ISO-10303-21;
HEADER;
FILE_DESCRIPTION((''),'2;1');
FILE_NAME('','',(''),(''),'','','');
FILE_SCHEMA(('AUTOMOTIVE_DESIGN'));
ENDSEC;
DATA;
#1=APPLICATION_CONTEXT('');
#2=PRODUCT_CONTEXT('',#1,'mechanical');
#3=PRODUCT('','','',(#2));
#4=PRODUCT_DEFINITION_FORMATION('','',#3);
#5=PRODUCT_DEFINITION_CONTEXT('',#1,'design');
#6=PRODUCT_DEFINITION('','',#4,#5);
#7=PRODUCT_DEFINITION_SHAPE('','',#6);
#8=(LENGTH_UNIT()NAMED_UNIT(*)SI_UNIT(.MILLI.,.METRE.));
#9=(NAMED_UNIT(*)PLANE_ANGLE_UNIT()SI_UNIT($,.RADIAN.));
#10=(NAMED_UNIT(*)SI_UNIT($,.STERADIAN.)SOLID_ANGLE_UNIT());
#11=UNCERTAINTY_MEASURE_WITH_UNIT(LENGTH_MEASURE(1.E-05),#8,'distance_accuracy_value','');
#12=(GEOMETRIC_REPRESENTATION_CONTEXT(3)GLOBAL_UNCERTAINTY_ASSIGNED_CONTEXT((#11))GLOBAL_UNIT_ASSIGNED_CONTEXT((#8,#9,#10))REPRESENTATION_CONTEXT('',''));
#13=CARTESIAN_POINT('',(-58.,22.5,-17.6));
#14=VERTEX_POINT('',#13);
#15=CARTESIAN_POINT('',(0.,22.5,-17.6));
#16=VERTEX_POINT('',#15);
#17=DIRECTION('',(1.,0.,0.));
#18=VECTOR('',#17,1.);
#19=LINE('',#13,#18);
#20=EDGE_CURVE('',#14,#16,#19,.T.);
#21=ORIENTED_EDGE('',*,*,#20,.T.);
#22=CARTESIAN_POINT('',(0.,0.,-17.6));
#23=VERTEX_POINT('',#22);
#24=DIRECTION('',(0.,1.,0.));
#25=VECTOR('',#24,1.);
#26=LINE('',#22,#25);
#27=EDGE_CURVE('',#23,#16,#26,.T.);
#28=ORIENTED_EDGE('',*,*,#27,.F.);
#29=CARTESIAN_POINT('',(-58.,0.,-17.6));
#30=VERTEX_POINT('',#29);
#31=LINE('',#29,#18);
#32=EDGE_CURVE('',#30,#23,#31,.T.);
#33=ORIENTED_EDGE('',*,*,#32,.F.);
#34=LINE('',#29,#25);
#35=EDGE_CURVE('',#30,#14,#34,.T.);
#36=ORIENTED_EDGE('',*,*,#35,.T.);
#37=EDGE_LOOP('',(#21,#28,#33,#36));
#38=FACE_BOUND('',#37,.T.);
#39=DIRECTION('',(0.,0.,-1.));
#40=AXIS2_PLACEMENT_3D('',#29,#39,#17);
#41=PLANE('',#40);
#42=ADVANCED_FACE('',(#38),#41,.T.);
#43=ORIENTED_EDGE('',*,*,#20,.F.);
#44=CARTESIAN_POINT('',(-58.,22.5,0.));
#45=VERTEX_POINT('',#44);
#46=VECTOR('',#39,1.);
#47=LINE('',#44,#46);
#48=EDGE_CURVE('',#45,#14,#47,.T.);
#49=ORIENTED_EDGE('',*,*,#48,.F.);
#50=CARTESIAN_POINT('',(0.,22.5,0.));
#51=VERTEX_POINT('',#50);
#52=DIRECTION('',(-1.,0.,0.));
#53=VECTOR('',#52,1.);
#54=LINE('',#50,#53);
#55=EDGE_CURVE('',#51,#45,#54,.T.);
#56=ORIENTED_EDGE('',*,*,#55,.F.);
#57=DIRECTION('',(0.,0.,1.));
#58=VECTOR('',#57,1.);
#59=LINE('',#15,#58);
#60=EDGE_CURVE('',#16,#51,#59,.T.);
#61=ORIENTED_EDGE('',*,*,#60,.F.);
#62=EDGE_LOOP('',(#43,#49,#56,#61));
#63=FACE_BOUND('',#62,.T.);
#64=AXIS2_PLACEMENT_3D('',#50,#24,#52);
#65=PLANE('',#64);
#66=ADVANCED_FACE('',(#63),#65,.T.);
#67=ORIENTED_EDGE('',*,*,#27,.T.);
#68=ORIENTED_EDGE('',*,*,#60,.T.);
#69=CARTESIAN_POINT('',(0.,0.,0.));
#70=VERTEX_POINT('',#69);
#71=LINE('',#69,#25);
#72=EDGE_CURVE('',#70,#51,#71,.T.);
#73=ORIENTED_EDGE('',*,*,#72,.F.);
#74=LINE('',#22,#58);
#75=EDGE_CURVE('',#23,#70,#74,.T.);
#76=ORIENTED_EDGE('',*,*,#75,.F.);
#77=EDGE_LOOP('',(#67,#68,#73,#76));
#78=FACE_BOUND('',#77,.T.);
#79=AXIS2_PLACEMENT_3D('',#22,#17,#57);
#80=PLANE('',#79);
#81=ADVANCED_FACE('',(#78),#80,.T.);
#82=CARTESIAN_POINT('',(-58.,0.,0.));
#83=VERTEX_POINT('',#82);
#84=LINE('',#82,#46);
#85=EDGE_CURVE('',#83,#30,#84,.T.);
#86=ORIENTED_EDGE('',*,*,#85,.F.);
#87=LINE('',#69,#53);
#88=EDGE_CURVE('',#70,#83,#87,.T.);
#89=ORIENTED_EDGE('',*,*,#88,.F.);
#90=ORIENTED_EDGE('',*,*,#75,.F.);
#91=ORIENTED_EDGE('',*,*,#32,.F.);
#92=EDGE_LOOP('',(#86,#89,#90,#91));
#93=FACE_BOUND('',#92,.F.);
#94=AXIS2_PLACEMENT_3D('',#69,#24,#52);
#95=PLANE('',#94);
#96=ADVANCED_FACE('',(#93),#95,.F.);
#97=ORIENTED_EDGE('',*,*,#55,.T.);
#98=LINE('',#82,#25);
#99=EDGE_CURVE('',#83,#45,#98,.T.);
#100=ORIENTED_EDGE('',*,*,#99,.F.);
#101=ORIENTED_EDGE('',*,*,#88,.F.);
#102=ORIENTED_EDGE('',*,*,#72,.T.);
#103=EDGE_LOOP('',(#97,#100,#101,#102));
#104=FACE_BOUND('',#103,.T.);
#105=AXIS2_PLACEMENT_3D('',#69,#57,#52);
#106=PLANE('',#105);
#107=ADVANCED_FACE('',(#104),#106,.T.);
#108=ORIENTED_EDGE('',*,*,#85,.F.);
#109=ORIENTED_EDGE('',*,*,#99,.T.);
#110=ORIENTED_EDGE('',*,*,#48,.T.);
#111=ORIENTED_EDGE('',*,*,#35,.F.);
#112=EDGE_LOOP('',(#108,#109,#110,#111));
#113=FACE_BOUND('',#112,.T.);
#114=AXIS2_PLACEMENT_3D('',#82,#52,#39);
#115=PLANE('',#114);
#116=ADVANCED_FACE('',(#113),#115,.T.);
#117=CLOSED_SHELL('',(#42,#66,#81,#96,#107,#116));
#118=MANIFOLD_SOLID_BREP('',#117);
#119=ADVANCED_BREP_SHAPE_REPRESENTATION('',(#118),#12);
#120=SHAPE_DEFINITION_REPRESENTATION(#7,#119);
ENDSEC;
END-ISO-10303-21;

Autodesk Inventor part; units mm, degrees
ref_plane "YZ Plane" through (0, 0, 0) normal (1, 0, 0) x (0, 1, 0)
ref_plane "XZ Plane" through (0, 0, 0) normal (0, 1, 0) x (-1, 0, 0)
ref_plane "XY Plane" through (0, 0, 0) normal (0, 0, 1) x (1, 0, 0)
sketch "スケッチ1" plane through (0, 0, 0) normal (0, 1, 0) x (-1, 0, 0)
  line L0 (0, 0) -> (58, 0)
  line L1 (58, 0) -> (58, -17.6)
  line L2 (58, -17.6) -> (0, -17.6)
  line L3 (0, -17.6) -> (0, 0)
  dimension "d0" = 58
  dimension "d1" = 17.6
extrude "押し出し1" add sketch "スケッチ1" along normal blind 22.5
properties part number "距離センサ"
